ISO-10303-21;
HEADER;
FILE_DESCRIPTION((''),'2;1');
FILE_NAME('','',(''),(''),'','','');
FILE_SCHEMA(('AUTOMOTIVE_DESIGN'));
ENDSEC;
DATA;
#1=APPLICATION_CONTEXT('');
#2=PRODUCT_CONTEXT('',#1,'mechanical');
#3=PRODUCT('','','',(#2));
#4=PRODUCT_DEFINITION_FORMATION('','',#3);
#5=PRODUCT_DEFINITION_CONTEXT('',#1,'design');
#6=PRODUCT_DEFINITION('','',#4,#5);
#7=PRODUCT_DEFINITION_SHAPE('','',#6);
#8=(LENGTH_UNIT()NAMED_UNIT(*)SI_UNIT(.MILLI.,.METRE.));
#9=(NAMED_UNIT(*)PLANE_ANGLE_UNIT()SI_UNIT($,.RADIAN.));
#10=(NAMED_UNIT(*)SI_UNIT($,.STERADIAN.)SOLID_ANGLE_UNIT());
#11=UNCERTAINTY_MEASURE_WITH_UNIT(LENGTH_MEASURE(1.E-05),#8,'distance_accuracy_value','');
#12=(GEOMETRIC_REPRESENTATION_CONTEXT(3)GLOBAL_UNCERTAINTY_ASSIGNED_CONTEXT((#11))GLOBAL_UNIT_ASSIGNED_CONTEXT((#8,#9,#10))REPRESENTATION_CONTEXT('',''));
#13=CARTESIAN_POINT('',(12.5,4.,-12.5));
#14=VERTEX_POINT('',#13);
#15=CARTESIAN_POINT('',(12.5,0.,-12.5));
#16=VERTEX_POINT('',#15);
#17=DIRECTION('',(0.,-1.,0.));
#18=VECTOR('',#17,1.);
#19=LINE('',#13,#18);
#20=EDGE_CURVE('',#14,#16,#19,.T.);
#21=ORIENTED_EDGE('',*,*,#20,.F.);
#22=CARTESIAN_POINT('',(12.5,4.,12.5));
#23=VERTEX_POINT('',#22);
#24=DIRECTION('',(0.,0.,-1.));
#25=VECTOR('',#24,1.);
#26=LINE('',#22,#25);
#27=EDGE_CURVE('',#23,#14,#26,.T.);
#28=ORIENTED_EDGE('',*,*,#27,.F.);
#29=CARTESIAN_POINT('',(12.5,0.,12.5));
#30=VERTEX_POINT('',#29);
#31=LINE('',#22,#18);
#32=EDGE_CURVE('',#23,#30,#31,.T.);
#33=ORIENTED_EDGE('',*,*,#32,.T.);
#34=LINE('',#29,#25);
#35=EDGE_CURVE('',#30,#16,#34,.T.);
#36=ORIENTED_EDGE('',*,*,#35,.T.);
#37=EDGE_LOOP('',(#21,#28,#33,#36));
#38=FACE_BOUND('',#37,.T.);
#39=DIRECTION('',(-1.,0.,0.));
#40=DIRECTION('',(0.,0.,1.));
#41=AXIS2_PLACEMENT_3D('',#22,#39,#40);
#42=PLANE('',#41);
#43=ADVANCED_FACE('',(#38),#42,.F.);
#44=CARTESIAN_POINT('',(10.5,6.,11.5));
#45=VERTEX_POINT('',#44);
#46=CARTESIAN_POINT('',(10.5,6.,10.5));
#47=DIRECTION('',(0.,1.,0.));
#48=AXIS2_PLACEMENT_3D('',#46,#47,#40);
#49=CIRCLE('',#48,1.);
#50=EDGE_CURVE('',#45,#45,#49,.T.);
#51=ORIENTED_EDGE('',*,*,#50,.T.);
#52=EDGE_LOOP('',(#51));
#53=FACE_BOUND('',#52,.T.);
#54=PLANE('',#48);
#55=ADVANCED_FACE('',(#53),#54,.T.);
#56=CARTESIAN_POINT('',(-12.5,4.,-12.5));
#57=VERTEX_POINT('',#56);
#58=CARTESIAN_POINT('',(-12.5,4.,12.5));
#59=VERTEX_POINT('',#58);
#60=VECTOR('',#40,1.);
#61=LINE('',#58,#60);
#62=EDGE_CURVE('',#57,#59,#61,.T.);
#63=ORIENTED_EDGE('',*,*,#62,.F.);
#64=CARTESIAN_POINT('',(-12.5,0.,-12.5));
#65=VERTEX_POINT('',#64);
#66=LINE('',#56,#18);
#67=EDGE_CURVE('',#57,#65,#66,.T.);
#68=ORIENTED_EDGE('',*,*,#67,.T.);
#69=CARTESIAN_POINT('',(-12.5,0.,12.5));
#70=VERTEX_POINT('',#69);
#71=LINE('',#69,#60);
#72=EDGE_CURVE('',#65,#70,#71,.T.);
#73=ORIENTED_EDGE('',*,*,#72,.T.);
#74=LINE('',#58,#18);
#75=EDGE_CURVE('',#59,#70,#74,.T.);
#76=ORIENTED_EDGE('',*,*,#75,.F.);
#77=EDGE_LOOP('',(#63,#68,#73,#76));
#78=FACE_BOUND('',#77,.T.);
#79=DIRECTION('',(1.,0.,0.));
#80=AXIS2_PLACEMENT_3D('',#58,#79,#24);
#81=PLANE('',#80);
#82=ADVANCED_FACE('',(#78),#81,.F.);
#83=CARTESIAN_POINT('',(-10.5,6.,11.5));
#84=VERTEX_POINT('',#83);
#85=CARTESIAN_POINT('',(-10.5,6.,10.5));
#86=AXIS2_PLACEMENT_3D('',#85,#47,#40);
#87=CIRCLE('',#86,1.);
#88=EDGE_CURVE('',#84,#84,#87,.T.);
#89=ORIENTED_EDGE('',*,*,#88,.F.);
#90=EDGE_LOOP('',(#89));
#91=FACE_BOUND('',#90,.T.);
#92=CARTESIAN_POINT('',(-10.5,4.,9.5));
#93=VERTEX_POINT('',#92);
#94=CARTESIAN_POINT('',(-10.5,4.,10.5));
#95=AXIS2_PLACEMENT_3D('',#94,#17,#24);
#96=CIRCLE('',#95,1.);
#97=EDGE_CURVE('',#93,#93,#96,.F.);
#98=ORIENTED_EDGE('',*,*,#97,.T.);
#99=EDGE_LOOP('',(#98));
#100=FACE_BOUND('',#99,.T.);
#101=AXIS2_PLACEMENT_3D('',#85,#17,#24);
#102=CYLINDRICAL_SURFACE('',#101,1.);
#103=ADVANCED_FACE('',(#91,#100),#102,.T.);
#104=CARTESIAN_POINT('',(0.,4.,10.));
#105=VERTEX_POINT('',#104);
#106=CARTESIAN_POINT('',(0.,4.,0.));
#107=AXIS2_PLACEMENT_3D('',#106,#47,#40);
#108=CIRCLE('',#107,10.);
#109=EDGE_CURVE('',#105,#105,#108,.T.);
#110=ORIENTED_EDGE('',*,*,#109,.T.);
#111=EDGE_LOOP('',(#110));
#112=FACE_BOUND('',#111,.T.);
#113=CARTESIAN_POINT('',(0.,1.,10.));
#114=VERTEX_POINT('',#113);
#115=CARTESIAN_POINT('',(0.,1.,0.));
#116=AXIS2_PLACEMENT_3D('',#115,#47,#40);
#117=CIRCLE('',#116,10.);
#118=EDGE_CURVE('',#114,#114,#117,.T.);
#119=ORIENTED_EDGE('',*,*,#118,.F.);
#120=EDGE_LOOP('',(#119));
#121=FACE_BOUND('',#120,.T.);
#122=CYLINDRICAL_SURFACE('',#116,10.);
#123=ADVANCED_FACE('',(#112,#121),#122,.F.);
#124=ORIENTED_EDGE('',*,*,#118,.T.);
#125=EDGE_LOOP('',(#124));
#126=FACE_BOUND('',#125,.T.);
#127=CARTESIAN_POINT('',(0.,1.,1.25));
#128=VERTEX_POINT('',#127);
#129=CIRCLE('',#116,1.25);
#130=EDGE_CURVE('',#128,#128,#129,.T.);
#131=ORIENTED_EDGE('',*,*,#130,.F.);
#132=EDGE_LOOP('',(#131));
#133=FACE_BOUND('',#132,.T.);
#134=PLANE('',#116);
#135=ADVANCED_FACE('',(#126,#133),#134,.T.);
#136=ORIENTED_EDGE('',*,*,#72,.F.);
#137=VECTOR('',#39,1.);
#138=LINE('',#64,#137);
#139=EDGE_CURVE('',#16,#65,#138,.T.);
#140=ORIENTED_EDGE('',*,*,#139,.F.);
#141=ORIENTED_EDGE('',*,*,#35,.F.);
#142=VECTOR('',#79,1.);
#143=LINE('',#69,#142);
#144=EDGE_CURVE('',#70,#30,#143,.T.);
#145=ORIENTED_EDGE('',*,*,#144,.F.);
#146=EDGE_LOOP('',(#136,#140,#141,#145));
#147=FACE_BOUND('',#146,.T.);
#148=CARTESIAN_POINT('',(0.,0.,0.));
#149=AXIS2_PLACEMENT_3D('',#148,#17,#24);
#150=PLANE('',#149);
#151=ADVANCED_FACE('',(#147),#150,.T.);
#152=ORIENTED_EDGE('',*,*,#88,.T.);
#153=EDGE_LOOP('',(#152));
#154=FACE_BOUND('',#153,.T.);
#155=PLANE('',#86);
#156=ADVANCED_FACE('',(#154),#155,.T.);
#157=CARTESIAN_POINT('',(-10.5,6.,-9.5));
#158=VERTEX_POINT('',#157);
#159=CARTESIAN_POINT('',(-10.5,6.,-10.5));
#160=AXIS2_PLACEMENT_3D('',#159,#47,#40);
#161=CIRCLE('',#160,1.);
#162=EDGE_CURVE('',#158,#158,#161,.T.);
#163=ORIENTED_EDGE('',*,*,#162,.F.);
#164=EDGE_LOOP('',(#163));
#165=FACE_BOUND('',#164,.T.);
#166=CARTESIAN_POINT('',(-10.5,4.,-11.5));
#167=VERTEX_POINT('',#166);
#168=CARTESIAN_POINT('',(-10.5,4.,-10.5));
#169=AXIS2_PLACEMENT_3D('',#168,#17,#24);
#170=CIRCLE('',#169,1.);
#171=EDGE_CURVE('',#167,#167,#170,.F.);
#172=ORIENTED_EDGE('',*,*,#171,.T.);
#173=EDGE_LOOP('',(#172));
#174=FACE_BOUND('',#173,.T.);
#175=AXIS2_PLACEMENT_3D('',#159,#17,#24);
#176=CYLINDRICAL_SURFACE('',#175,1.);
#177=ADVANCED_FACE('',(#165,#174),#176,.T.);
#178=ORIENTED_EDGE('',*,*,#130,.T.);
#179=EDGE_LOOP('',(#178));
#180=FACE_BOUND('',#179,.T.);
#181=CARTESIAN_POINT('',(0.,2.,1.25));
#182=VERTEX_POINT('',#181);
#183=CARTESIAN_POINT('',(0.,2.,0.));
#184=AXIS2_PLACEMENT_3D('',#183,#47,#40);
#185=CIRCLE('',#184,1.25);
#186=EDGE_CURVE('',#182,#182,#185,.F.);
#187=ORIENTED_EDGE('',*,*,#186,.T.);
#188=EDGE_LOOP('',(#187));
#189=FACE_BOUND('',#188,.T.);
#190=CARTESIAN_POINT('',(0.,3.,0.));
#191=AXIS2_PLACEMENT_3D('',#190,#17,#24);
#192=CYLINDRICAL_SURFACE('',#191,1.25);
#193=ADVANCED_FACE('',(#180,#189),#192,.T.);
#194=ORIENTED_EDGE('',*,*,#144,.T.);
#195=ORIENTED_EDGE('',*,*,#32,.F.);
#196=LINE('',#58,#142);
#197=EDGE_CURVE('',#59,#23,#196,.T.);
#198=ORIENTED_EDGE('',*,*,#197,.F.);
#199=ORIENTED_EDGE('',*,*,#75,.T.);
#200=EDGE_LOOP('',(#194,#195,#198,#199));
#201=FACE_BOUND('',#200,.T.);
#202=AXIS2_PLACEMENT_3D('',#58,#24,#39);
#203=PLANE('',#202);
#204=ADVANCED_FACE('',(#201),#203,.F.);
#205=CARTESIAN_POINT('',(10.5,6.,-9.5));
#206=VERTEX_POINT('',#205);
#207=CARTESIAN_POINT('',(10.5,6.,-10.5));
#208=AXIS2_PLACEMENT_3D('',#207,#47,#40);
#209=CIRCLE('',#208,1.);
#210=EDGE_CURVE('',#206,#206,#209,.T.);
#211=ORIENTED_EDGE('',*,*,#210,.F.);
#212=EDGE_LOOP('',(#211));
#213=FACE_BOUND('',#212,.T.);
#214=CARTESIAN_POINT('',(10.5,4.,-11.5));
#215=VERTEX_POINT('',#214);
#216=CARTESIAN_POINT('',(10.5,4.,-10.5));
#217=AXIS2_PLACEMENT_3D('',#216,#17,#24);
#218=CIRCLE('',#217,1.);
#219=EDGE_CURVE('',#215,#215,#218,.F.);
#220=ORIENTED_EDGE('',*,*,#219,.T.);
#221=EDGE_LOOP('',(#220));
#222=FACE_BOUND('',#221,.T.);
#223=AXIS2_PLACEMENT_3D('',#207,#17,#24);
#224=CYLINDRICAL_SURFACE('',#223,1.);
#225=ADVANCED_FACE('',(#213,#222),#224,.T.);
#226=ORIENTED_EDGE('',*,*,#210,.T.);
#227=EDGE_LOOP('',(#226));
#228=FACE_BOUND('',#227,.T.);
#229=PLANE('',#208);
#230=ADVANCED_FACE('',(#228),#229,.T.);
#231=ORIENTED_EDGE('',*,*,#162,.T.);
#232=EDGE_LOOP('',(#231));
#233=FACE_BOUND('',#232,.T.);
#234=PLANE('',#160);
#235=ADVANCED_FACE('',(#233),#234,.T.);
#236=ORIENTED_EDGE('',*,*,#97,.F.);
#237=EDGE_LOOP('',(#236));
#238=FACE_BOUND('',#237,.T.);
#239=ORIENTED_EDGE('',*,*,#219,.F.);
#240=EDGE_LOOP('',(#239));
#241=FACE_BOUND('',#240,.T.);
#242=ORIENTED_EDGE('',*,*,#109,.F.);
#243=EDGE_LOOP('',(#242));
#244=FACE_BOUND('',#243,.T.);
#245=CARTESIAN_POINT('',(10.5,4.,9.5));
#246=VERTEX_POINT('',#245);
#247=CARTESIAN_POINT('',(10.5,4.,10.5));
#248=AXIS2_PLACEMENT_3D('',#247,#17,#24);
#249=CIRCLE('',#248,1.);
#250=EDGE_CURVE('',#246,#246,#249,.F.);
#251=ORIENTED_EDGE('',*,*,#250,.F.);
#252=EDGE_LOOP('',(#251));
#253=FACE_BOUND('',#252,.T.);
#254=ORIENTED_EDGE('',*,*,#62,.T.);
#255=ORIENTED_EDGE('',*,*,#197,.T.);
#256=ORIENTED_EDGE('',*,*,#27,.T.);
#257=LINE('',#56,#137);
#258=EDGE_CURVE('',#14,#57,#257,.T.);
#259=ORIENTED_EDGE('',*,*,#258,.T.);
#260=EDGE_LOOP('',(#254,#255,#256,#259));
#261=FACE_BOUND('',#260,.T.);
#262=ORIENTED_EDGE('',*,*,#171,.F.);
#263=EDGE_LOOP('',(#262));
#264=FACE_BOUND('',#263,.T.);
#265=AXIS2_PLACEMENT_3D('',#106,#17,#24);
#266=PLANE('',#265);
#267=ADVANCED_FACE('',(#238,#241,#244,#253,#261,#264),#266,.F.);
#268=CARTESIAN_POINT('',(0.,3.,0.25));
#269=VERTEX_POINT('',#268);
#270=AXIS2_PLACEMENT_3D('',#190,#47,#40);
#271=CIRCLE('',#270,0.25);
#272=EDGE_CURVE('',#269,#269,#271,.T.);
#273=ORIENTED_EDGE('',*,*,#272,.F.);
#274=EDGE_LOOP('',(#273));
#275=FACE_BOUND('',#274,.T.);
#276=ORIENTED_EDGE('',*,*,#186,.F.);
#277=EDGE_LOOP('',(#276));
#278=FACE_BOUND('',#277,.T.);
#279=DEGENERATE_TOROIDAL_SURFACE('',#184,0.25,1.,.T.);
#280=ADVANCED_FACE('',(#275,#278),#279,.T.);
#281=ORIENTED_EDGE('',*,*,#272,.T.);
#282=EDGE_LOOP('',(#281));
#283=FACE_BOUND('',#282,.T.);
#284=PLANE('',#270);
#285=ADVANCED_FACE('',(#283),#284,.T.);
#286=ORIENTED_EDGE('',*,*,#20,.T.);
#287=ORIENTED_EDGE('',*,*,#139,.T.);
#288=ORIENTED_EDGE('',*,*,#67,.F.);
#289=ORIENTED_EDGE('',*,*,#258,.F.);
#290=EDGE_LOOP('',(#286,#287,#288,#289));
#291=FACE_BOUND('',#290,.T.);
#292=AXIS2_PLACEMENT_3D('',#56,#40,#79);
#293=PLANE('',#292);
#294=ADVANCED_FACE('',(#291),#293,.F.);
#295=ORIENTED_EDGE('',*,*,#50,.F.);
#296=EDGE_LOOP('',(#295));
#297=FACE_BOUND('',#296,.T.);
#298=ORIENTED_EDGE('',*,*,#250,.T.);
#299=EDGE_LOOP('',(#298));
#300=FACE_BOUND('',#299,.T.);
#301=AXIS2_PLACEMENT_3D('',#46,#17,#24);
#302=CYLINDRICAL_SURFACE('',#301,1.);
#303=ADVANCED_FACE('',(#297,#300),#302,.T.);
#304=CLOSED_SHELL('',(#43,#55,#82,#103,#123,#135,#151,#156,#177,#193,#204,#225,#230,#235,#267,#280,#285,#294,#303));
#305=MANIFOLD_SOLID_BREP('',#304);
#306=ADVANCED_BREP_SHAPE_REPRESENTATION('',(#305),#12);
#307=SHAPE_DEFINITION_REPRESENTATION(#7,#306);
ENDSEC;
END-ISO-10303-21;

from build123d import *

# Parameters (mm, degrees)
SKETCH1_W           = 25
SKETCH1_H           = 25
BOSS_EXTRUDE1_DEPTH = 4
SKETCH2_R           = 10
CUT_EXTRUDE1_DEPTH  = 3
SKETCH3_R           = 1.25
BOSS_EXTRUDE2_DEPTH = 2
FILLET1_R           = 1
SKETCH4_R           = 1
BOSS_EXTRUDE3_DEPTH = 2


with BuildPart() as part:
    # Sketch1 → Boss-Extrude1 (new body)
    with BuildSketch(Plane(origin=(0, 0, 0), x_dir=(1, 0, 0), z_dir=(0, 1, 0))):
        Rectangle(SKETCH1_W, SKETCH1_H)
    extrude(amount=BOSS_EXTRUDE1_DEPTH)

    # Sketch2 → Cut-Extrude1 (cut)
    with BuildSketch(Plane(origin=(0, 4, 0), x_dir=(1, 0, 0), z_dir=(0, 1, 0))):
        Circle(SKETCH2_R)
    extrude(amount=-CUT_EXTRUDE1_DEPTH, mode=Mode.SUBTRACT)

    # Sketch3 → Boss-Extrude2 (add)
    with BuildSketch(Plane(origin=(0, 1, 0), x_dir=(1, 0, 0), z_dir=(0, 1, 0))):
        Circle(SKETCH3_R)
    extrude(amount=BOSS_EXTRUDE2_DEPTH)

    # Fillet1
    fillet1_edges = [part.edges().sort_by_distance(p)[0] for p in [
        (-1.25, 3, 0),
    ]]
    fillet(fillet1_edges, radius=FILLET1_R)

    # Sketch4 → Boss-Extrude3 (add)
    with BuildSketch(Plane(origin=(0, 4, 0), x_dir=(1, 0, 0), z_dir=(0, 1, 0))):
        with Locations((-10.5, 10.5)):
            Circle(SKETCH4_R)
        with Locations((10.5, 10.5)):
            Circle(SKETCH4_R)
        with Locations((10.5, -10.5)):
            Circle(SKETCH4_R)
        with Locations((-10.5, -10.5)):
            Circle(SKETCH4_R)
    extrude(amount=BOSS_EXTRUDE3_DEPTH)


solid = part.part
